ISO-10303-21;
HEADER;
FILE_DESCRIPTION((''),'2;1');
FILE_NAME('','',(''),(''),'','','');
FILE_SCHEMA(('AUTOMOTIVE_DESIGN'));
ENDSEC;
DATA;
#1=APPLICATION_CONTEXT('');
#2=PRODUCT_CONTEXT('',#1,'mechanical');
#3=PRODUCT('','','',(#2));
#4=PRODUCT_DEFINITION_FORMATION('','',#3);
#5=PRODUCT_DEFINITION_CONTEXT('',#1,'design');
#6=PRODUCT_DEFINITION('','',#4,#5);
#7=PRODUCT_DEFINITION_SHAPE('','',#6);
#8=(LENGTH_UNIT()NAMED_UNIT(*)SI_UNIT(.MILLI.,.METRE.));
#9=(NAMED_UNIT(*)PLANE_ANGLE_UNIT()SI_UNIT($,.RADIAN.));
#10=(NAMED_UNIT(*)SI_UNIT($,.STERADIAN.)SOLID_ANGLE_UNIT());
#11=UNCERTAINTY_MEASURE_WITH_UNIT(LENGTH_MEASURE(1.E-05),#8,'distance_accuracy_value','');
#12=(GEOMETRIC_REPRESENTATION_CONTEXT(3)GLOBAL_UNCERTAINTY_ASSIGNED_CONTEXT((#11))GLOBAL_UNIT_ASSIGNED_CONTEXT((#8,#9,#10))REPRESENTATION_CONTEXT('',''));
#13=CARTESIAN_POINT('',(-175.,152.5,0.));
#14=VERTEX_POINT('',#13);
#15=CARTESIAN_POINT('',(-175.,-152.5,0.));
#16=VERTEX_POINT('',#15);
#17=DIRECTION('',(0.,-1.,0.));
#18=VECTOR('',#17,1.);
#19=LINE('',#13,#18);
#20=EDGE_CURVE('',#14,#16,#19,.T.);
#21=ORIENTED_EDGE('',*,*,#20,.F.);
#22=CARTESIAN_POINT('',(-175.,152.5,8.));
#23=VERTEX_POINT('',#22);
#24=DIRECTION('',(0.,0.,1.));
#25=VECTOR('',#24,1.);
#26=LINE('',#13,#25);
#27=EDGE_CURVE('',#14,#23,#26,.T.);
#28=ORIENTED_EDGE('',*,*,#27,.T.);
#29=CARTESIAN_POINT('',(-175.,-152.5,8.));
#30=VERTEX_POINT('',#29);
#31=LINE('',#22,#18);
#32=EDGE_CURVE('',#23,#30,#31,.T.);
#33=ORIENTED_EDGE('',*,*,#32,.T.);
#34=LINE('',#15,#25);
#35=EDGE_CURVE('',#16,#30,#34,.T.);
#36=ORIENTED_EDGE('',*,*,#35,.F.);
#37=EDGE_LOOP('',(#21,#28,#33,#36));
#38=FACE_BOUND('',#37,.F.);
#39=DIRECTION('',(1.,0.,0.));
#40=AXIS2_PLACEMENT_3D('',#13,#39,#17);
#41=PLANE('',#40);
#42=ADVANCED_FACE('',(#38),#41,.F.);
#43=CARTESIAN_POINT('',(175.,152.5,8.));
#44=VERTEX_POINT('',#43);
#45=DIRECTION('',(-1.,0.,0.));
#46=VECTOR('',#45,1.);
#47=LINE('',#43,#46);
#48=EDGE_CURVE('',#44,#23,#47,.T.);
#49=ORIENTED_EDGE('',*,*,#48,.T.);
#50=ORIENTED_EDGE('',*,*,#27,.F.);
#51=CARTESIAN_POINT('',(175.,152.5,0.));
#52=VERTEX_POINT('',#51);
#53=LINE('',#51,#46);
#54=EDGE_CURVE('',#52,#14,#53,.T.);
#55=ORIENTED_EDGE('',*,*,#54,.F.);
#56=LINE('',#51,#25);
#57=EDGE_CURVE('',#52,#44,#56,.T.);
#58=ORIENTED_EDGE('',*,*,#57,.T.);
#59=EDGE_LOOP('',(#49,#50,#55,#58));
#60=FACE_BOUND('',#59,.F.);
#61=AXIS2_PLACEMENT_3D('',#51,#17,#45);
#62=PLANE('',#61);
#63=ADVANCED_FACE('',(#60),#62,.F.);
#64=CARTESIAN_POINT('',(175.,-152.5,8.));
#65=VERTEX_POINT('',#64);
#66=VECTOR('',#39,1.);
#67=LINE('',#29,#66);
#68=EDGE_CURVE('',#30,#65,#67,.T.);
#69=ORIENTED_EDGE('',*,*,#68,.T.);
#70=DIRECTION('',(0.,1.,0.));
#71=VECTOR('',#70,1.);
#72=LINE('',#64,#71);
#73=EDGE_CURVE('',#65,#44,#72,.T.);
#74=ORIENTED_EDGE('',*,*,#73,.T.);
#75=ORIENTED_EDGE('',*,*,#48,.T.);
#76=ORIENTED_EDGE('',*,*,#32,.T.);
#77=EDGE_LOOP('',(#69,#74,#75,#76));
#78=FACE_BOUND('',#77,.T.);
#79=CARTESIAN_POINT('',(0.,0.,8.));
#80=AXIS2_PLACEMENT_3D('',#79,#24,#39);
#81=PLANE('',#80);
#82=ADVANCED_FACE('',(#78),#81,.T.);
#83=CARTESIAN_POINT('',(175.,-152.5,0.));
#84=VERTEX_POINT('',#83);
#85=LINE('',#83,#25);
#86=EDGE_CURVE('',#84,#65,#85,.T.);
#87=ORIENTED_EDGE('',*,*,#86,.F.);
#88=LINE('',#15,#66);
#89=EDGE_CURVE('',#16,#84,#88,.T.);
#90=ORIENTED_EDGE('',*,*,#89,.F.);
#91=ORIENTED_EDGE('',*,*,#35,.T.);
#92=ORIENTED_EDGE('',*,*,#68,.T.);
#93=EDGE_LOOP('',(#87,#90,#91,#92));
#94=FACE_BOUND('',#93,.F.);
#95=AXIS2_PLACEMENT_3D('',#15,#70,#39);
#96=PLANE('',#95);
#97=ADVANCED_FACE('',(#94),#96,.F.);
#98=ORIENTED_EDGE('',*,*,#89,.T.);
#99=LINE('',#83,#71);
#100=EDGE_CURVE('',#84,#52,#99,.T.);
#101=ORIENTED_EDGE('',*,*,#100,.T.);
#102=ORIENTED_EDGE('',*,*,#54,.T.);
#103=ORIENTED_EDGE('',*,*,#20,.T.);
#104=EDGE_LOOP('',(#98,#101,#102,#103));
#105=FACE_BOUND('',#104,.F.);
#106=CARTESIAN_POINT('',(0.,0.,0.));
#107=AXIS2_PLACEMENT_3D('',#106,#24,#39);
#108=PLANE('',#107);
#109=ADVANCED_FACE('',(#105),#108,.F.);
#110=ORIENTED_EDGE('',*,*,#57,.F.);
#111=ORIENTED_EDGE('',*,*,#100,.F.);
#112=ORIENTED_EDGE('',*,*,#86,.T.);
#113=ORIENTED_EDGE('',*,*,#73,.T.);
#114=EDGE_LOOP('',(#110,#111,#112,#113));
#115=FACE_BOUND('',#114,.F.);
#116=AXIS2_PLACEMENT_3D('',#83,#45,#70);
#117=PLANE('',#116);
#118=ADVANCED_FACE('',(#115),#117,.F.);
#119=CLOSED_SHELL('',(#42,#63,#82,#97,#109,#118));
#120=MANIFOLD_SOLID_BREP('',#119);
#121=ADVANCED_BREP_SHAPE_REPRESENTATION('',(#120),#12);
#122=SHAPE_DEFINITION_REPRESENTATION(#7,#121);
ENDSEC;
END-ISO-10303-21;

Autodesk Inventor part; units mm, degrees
ref_plane "YZ Plane" through (0, 0, 0) normal (1, 0, 0) x (0, 1, 0)
ref_plane "XZ Plane" through (0, 0, 0) normal (0, 1, 0) x (-1, 0, 0)
ref_plane "XY Plane" through (0, 0, 0) normal (0, 0, 1) x (1, 0, 0)
sketch "Эскиз5" plane through (0, 0, 0) normal (0, 0, 1) x (1, 0, 0)
  line L0 (-175, -152.5) -> (175, -152.5)
  line L1 (175, -152.5) -> (175, 152.5)
  line L2 (175, 152.5) -> (-175, 152.5)
  line L3 (-175, 152.5) -> (-175, -152.5)
  line L4 (-175, -152.5) -> (175, 152.5) construction
  line L5 (175, -152.5) -> (-175, 152.5) construction
  point P0 (0, 0)
  dimension "d64" = 350
  dimension "d65" = 305
extrude "Пластина2" add sketch "Эскиз5" along normal blind 8
equation "\"Радиус_гибки\" = Толщина"
equation "\"Ширина_просечки\" = Толщина"
equation "\"Глубина_просечки\" = 0.5 * Толщина"
equation "\"Размер_высечки\" = 4 * Толщина"
equation "\"Минимальный_остаток\" = 2 * Толщина"
equation "\"Радиус_перехода\" = Радиус_гибки"
equation "\"Радиус_Якоби\" = Радиус_гибки"
equation "\"Размер_зазора\" = Толщина"
equation "\"d2\" = Радиус_гибки"
equation "\"d66\" = Радиус_гибки"
equation "\"Толщина\" = 8"
properties material "Сталь"
